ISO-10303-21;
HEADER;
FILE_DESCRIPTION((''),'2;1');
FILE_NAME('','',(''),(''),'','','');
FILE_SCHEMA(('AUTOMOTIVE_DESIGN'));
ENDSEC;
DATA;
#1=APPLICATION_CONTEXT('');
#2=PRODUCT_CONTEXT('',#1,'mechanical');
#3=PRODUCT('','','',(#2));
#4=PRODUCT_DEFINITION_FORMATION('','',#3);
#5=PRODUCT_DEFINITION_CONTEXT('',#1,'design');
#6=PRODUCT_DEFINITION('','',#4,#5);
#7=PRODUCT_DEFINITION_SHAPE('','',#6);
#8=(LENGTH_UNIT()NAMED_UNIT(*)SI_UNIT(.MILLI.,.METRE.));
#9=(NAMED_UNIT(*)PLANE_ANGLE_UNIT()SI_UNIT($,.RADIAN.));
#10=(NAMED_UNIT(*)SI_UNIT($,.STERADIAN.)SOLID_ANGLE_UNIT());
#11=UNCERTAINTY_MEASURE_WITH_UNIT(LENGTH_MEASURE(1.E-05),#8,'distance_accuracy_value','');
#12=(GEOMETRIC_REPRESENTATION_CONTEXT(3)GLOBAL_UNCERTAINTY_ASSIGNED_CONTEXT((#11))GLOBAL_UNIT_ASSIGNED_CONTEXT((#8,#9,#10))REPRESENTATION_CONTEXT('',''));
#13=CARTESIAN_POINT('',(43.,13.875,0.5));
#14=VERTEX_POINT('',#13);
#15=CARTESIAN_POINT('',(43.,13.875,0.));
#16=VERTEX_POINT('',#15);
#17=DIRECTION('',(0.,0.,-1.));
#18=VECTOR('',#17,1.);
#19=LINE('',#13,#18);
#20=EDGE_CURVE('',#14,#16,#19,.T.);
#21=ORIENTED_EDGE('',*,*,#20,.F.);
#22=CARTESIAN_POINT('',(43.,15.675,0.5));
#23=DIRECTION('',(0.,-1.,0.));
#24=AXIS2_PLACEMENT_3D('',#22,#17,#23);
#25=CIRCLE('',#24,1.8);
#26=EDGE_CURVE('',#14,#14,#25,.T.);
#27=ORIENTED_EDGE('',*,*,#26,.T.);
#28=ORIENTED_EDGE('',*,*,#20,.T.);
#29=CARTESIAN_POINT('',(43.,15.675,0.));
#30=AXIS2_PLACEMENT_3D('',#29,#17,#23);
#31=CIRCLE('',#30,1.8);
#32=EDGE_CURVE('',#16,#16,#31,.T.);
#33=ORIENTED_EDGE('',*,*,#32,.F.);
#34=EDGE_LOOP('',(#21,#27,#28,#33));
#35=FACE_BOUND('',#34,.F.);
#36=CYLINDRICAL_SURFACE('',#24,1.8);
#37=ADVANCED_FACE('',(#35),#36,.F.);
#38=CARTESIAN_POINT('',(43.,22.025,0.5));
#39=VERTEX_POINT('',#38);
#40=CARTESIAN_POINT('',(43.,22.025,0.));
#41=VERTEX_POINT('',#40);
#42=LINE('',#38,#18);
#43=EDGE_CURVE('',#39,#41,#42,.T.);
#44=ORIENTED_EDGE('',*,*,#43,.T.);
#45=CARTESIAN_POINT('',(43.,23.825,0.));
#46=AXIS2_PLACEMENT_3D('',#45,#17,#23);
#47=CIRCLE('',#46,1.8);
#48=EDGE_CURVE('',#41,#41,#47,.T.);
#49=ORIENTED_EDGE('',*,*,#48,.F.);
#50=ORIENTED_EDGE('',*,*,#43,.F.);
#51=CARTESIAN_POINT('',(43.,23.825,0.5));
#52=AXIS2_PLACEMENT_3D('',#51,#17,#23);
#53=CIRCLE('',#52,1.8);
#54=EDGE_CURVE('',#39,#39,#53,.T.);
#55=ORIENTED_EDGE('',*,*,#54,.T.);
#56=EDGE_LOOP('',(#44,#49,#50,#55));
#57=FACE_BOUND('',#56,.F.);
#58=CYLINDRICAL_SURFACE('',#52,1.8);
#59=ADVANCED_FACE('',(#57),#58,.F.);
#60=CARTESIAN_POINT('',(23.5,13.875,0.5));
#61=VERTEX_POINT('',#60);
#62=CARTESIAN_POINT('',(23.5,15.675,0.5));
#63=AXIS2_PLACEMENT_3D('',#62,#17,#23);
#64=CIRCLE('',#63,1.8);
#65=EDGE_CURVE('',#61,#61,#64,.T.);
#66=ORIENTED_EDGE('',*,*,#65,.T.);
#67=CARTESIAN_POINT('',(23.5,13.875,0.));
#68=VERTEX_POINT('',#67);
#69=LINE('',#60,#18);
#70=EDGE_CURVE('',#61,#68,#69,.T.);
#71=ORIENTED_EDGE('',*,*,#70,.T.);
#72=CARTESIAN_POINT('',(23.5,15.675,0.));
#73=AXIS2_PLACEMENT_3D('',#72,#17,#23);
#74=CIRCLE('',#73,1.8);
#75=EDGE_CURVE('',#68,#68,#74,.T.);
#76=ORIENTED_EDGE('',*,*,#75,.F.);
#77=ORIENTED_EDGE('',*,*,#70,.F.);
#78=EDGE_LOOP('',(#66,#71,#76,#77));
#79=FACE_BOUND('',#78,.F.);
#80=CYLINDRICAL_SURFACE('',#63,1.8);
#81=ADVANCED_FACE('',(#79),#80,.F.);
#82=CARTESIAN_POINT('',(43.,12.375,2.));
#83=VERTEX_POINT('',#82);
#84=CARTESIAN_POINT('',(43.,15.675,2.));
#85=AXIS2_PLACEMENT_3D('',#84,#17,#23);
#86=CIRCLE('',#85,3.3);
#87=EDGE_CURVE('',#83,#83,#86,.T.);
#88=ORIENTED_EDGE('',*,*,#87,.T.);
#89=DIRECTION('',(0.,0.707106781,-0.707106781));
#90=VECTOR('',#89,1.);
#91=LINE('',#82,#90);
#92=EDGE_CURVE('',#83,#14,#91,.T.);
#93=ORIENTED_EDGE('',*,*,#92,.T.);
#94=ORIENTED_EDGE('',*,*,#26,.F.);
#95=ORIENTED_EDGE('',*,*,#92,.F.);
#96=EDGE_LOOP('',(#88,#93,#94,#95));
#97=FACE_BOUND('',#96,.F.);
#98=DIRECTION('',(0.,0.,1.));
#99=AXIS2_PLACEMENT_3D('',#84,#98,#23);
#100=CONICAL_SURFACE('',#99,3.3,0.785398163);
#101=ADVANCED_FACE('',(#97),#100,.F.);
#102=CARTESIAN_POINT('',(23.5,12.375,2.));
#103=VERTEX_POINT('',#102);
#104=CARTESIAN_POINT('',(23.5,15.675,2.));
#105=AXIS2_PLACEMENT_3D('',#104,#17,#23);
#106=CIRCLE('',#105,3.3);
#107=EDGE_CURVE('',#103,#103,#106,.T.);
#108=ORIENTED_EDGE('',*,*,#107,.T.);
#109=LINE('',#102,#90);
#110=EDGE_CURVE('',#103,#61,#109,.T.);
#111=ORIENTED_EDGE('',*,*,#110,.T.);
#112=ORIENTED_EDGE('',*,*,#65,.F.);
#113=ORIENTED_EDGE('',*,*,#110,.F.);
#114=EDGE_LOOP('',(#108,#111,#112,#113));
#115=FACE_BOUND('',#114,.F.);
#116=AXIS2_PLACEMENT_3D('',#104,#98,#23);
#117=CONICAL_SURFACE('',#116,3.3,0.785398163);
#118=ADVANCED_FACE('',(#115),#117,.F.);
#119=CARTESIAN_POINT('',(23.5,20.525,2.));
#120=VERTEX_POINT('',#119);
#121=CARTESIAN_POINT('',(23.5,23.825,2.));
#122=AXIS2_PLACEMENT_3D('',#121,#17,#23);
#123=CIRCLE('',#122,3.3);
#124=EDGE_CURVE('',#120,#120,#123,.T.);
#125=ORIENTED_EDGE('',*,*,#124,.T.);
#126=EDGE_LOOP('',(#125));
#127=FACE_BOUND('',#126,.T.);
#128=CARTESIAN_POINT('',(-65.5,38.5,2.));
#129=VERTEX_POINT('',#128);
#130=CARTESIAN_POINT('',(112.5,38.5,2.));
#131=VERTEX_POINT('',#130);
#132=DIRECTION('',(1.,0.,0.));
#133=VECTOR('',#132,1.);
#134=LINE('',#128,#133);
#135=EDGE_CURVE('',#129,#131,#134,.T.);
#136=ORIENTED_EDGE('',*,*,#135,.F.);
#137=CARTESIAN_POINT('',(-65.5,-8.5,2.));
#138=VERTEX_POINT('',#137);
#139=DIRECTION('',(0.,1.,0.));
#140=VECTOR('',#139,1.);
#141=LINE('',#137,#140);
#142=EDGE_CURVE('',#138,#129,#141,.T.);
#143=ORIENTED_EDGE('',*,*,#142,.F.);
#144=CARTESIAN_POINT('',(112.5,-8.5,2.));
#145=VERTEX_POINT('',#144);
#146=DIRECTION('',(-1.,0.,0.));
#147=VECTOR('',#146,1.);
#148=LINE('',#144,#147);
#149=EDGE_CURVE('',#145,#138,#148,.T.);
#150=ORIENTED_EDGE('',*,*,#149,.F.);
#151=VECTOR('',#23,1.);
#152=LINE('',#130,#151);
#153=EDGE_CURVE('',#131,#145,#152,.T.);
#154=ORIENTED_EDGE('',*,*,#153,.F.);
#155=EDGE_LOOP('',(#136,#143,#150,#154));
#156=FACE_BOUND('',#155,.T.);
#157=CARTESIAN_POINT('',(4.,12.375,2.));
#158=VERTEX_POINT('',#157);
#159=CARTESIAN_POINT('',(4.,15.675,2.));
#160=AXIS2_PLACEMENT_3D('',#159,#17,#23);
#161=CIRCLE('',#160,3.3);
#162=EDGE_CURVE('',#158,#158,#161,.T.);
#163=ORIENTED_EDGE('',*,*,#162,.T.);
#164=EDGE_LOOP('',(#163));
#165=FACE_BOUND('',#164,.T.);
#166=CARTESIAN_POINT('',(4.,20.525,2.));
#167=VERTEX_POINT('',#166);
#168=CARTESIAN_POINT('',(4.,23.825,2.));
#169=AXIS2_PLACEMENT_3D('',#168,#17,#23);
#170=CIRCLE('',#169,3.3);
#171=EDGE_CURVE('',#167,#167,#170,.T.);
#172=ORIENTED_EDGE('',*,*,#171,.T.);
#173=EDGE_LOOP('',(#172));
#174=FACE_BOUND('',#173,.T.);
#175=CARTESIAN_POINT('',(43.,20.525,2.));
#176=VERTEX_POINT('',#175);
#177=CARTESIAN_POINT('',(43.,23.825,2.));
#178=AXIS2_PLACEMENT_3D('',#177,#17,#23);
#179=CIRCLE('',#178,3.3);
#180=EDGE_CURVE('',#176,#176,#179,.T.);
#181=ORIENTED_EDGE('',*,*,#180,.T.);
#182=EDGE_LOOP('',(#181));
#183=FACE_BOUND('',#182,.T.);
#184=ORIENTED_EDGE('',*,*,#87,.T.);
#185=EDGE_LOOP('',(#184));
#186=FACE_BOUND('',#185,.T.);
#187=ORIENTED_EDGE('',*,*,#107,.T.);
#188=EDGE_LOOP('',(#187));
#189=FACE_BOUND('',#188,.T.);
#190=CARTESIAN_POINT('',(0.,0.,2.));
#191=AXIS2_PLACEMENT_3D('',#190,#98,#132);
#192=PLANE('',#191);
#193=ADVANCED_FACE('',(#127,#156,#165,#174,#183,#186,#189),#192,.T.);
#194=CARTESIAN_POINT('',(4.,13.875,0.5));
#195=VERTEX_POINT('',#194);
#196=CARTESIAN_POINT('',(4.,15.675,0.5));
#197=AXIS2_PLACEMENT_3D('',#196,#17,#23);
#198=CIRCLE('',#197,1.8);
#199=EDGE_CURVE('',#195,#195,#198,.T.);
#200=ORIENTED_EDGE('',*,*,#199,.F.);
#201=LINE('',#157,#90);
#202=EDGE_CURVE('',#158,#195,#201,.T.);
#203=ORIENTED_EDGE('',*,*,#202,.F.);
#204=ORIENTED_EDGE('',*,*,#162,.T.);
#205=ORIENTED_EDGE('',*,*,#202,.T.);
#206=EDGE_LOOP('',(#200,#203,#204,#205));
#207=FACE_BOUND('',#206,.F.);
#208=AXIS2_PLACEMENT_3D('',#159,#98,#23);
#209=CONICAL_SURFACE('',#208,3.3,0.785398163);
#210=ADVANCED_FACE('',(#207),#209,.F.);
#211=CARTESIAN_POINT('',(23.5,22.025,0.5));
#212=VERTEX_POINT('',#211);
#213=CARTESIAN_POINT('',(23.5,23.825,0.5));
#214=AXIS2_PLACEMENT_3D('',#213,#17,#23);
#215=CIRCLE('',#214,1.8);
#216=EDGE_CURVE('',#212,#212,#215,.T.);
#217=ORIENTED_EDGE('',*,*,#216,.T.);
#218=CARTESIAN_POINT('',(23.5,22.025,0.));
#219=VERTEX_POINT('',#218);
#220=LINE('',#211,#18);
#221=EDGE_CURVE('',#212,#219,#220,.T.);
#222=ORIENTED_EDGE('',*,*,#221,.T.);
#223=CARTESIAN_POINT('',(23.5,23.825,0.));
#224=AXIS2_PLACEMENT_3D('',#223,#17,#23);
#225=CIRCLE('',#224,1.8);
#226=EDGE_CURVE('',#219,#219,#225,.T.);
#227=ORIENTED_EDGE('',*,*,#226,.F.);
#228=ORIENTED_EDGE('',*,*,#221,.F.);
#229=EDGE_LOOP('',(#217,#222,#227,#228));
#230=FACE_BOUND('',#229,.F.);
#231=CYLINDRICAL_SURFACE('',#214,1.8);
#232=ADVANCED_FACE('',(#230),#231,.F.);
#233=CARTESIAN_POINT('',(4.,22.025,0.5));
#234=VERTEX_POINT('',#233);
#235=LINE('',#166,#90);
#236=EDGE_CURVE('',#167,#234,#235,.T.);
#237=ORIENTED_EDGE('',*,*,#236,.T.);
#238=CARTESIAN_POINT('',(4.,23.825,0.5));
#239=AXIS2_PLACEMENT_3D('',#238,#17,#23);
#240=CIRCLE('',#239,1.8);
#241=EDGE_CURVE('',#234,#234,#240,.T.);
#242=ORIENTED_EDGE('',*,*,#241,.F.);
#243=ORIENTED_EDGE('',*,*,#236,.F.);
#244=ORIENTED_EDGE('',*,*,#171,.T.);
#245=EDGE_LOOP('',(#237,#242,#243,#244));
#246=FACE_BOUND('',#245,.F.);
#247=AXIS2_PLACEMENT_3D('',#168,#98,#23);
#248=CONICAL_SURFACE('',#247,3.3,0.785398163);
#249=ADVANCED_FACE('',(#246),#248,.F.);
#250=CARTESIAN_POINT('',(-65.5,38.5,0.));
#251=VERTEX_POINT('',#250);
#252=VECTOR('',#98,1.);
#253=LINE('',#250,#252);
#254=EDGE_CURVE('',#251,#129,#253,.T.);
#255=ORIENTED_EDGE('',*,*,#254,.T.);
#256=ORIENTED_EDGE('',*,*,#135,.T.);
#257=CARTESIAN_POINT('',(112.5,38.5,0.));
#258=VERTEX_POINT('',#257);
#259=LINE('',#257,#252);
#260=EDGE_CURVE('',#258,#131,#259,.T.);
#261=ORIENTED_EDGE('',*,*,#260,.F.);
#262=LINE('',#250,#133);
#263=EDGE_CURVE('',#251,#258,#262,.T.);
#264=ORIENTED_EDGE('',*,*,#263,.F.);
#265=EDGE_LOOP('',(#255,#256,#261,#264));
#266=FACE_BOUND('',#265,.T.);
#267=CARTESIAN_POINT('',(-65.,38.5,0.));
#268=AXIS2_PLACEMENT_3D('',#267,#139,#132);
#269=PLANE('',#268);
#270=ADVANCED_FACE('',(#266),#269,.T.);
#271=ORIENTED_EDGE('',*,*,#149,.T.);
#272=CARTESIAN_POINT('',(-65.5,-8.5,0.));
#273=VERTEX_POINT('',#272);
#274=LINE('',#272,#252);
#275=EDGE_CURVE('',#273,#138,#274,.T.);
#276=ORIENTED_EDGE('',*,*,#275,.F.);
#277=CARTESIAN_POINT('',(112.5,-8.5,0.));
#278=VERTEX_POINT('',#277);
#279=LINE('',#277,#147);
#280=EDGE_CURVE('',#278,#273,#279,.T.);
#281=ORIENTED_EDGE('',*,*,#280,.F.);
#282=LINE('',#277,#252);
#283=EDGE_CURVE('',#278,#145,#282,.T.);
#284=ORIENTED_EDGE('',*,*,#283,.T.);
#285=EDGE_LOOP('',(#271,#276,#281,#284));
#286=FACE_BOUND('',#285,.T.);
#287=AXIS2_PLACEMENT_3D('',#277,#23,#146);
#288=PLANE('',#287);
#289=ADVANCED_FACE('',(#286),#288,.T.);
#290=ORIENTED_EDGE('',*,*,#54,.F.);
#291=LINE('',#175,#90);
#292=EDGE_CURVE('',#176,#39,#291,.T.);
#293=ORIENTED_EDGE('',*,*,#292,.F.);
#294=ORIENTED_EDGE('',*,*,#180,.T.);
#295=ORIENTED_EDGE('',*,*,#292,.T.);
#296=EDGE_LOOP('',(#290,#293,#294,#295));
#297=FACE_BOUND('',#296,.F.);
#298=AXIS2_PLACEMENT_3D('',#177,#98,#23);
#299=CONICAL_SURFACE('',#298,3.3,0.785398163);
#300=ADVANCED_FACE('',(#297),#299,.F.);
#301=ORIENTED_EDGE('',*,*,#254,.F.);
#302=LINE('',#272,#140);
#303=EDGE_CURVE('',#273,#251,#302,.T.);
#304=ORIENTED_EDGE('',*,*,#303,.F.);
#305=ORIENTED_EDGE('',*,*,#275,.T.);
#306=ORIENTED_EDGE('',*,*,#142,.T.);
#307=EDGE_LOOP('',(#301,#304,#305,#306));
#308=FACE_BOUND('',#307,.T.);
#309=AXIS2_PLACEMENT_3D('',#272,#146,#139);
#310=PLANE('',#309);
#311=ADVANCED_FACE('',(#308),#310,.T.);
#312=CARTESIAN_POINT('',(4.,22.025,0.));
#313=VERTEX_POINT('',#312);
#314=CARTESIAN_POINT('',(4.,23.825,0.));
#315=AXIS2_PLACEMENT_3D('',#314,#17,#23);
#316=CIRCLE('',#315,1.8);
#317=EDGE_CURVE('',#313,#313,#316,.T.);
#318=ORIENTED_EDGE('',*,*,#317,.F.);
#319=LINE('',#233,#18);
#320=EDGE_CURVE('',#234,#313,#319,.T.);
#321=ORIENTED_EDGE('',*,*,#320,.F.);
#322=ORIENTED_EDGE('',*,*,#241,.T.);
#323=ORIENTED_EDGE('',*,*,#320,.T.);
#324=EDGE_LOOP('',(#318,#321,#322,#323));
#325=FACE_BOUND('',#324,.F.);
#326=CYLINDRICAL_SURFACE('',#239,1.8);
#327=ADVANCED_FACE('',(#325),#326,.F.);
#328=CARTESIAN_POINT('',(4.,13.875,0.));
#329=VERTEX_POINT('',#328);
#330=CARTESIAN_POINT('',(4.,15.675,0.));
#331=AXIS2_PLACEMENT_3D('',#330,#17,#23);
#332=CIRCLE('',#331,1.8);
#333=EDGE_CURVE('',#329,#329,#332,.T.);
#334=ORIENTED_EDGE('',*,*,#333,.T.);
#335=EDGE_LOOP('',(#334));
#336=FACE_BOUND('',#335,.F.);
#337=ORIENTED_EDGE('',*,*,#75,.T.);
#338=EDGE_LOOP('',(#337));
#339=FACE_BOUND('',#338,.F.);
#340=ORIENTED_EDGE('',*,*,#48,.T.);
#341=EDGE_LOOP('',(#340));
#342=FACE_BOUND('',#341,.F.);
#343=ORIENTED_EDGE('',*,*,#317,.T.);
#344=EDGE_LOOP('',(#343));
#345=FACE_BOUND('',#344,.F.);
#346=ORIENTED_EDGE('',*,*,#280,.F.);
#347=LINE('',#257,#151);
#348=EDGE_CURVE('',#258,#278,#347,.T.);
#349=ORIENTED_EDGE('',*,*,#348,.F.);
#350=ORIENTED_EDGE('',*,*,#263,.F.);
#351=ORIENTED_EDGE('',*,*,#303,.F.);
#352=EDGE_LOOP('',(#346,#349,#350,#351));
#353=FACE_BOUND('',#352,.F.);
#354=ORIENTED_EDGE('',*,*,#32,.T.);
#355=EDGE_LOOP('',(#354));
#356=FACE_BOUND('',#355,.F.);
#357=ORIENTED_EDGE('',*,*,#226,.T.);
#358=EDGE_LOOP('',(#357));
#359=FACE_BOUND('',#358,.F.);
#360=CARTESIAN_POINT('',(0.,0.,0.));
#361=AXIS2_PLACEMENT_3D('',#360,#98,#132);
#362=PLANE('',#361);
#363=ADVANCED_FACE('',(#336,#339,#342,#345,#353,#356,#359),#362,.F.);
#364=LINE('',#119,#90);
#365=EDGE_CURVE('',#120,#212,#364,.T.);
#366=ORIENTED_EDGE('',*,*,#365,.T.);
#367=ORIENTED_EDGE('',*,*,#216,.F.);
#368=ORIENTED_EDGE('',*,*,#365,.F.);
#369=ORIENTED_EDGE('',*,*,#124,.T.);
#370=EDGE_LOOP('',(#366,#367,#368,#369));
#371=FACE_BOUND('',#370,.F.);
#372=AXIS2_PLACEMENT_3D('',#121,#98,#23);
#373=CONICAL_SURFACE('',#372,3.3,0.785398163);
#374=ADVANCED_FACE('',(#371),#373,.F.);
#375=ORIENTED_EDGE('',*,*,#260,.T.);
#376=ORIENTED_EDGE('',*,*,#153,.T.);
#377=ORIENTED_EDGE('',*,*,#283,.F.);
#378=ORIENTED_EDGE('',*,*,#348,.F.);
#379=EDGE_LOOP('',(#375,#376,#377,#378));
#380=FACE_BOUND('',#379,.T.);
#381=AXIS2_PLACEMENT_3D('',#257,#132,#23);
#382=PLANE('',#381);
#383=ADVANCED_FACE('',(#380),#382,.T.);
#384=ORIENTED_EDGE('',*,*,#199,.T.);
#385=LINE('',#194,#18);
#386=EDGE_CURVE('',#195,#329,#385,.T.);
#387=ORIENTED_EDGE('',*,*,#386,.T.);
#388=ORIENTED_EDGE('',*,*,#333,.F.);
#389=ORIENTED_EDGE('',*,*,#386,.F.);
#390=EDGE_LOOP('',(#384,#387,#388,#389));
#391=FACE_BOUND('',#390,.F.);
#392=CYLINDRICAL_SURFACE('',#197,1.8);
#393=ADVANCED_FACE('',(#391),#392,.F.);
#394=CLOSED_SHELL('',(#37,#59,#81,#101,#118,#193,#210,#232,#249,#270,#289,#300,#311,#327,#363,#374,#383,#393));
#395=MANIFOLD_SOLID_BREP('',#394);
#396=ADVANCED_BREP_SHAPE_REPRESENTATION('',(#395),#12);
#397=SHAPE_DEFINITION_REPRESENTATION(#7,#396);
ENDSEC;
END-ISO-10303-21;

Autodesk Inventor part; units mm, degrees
ref_plane "YZ Plane" through (0, 0, 0) normal (1, 0, 0) x (0, 1, 0)
ref_plane "XZ Plane" through (0, 0, 0) normal (0, 1, 0) x (-1, 0, 0)
ref_plane "XY Plane" through (0, 0, 0) normal (0, 0, 1) x (1, 0, 0)
ref_plane "Work Plane1" through (0, 0, 0) normal (0, 0, 1) x (1, 0, 0)
sketch "Sketch1" plane through (0, 0, 0) normal (0, 0, 1) x (1, 0, 0)
  line L0 (0, 0) -> (47, 0) projected
  line L1 (47, 0) -> (47, 3) projected
  line L2 (0, 3) -> (47, 3) projected
  line L3 (0, 0) -> (0, 3) projected
  line L4 (-65.5, 38.5) -> (112.5, 38.5)
  line L5 (112.5, 38.5) -> (112.5, -8.5)
  line L6 (112.5, -8.5) -> (-65.5, -8.5)
  line L7 (-65.5, -8.5) -> (-65.5, 38.5)
  line L8 (-65, -11.5) -> (-65, 38.5) projected
  point P0 (23.5, 0)
  dimension "d0" = 178
  dimension "d1" = 89
  dimension "d2" = 89
  dimension "d3" = 0
  dimension "d13" = 3
extrude "Extrusion1" add sketch "Sketch1" along normal blind 2 contours L3 L2 L1 L0 | L4 L8 L6 L7 | L4 L5 L6 L8
sketch "Sketch2" plane through (0, 0, 2) normal (0, 0, 1) x (1, 0, 0)
  circle A0 centre (4, 23.825) radius 2.3 projected
  circle A1 centre (4, 15.675) radius 2.3 projected
  line L0 (7, 36.5) -> (1, 36.5) projected
  line L1 (1, 3) -> (1, 36.5) projected
  line L2 (1, 3) -> (7, 3) projected
  line L3 (7, 3) -> (7, 36.5) projected
  circle A2 centre (23.5, 23.825) radius 2.3 projected
  circle A3 centre (23.5, 15.675) radius 2.3 projected
  line L4 (28, 36.5) -> (19, 36.5) projected
  line L5 (19, 3) -> (19, 36.5) projected
  line L6 (19, 3) -> (28, 3) projected
  line L7 (28, 3) -> (28, 36.5) projected
  circle A4 centre (43, 23.825) radius 2.3 projected
  circle A5 centre (43, 15.675) radius 2.3 projected
  line L8 (46, 36.5) -> (40, 36.5) projected
  line L9 (40, 3) -> (40, 36.5) projected
  line L10 (40, 3) -> (46, 3) projected
  line L11 (46, 3) -> (46, 36.5) projected
  point P0 (0, 0)
hole "Hole1" at (4, 23.825, 2) at (4, 15.675, 2) at (23.5, 15.675, 2) at (23.5, 23.825, 2) at (43, 23.825, 2) at (43, 15.675, 2) direction (0, 0, -1) diameter 3.6 end through all countersink diameter 6.6 countersink angle 90 clearance for "Countersunk Flat Head Screw ISO 2009/7046" size "M3" standard "ISO"
equation "\"d1\" = d2"
properties part number "back" material "Nylon 6/6"
